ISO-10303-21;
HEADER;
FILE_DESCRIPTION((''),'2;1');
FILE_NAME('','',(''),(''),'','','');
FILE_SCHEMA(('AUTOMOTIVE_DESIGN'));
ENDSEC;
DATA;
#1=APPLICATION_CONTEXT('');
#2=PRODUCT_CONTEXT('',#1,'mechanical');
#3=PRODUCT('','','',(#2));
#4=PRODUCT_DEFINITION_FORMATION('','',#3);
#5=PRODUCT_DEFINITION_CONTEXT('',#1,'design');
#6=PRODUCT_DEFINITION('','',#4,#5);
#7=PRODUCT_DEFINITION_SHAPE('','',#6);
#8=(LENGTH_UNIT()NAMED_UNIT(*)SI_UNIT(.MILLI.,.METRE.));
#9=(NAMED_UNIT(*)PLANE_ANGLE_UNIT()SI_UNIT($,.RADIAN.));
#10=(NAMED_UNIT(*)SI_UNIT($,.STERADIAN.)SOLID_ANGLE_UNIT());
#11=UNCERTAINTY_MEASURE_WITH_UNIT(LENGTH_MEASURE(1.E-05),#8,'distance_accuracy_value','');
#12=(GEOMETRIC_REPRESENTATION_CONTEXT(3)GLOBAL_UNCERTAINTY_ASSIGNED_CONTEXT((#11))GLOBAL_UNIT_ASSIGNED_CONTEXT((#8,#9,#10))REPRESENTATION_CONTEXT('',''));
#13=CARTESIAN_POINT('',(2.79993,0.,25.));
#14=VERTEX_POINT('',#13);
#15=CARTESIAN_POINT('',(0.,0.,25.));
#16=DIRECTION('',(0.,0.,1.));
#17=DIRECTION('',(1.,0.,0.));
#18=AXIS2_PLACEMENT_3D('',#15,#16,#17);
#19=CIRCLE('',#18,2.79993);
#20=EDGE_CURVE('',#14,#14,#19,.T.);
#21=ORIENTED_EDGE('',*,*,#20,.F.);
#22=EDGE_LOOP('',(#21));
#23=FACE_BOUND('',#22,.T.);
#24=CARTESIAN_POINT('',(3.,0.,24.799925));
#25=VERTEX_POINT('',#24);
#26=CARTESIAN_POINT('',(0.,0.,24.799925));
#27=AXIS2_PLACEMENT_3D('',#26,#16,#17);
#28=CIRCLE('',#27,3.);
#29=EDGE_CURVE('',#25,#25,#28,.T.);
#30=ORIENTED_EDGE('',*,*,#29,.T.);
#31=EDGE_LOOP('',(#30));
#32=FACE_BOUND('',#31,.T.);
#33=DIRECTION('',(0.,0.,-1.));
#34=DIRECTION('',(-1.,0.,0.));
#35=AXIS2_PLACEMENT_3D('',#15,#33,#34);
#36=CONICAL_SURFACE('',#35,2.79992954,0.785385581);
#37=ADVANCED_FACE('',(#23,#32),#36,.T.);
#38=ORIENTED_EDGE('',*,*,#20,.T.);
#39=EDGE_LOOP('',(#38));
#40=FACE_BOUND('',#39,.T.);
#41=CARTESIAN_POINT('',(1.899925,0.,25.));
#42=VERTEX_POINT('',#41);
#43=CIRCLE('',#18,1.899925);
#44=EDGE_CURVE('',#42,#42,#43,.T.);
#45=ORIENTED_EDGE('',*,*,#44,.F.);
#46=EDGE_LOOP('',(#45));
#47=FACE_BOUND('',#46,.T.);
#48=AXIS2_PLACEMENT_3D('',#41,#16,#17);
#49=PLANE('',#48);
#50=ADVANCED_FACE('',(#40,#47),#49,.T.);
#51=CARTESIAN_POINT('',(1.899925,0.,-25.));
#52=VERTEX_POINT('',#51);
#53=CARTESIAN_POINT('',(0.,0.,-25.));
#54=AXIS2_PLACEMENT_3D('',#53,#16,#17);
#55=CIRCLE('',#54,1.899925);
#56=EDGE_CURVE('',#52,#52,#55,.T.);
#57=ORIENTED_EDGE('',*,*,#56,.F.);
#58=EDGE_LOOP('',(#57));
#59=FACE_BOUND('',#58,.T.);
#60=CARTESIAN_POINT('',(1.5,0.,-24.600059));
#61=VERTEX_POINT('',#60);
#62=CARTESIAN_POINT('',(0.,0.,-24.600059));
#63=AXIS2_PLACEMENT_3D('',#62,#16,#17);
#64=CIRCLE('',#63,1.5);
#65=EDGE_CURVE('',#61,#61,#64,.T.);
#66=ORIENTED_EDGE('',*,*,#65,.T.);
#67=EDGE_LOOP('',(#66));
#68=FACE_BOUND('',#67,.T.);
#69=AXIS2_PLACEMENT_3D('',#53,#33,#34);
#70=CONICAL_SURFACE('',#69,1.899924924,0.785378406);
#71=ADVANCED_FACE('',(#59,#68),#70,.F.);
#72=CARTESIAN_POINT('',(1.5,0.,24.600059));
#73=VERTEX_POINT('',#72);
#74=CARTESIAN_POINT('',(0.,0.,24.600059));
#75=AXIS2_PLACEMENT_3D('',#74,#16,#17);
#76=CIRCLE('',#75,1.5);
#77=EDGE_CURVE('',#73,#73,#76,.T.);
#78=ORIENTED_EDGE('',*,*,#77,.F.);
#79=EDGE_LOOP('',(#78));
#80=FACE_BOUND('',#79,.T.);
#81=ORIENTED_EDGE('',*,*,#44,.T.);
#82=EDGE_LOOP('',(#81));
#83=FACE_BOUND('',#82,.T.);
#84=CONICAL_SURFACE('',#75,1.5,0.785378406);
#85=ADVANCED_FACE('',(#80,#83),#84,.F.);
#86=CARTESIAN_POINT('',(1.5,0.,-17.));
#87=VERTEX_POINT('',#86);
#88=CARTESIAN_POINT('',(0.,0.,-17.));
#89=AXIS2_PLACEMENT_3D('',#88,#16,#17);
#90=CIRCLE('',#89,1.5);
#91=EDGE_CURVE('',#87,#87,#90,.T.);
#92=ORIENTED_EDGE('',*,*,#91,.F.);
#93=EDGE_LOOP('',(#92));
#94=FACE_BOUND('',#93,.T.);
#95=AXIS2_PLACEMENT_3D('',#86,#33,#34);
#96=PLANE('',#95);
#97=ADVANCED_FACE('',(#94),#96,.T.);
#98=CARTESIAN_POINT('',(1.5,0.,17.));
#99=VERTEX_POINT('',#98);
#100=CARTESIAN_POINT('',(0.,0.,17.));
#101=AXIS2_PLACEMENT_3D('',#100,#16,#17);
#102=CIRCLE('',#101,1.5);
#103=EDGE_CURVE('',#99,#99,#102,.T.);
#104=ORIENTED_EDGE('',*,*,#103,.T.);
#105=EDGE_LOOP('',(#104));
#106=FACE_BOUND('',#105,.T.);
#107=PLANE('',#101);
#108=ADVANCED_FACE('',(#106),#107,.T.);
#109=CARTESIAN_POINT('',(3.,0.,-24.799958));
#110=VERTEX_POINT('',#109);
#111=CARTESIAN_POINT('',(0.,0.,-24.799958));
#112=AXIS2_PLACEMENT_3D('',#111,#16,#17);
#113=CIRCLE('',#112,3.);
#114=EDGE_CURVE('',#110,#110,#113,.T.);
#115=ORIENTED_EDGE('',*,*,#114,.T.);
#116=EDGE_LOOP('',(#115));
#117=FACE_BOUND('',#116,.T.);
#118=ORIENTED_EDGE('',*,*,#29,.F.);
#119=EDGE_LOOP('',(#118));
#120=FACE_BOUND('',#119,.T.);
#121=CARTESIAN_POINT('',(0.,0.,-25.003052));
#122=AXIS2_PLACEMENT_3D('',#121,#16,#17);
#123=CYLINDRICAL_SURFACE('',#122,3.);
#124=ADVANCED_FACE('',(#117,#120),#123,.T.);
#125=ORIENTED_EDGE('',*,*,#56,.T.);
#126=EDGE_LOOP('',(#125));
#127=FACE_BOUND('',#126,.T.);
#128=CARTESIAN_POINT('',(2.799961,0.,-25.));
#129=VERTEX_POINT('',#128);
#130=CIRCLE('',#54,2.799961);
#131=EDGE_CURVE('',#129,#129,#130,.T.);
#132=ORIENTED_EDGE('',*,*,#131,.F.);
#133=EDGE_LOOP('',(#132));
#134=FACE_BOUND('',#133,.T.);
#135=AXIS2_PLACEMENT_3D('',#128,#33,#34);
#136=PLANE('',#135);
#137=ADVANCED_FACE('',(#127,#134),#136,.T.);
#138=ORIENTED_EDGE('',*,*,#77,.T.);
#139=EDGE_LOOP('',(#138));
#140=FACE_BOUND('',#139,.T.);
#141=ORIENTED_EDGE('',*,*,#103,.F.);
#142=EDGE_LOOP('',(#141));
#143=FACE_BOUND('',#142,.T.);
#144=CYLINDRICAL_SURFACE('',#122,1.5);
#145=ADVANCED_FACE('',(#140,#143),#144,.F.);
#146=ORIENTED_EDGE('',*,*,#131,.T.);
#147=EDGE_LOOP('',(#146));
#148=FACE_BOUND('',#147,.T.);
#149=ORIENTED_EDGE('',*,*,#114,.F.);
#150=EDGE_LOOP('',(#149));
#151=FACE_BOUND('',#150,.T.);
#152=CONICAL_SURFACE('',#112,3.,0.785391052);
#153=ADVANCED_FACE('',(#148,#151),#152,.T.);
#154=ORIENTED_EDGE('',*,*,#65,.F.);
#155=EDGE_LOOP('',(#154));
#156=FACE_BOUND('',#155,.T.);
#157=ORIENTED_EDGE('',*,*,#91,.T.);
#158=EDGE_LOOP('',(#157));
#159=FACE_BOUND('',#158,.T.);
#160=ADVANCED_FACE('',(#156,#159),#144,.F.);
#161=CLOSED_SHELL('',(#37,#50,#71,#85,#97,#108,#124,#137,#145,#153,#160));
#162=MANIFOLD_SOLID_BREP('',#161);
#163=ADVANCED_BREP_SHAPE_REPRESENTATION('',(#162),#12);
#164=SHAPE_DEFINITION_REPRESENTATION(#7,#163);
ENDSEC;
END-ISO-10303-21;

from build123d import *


with BuildPart() as part:
    # 草图1 → 旋转1 (revolve)
    with BuildSketch(Plane(origin=(0, 0, 0), x_dir=(1, 0, 0), z_dir=(0, 1, 0))):
        Polygon((1.5, 17), (0, 17), (0, -17), (1.5, -17), (1.5, -24.600059273), (1.899924924, -25), (2.79992954, -25), (3, -24.799924505), (3, 24.799958244), (2.799961089, 25), (1.899924924, 25), (1.5, 24.600059273), align=None)
    revolve(axis=Axis((0, 0, -25.003051641), (0, 0, 1)))


solid = part.part
